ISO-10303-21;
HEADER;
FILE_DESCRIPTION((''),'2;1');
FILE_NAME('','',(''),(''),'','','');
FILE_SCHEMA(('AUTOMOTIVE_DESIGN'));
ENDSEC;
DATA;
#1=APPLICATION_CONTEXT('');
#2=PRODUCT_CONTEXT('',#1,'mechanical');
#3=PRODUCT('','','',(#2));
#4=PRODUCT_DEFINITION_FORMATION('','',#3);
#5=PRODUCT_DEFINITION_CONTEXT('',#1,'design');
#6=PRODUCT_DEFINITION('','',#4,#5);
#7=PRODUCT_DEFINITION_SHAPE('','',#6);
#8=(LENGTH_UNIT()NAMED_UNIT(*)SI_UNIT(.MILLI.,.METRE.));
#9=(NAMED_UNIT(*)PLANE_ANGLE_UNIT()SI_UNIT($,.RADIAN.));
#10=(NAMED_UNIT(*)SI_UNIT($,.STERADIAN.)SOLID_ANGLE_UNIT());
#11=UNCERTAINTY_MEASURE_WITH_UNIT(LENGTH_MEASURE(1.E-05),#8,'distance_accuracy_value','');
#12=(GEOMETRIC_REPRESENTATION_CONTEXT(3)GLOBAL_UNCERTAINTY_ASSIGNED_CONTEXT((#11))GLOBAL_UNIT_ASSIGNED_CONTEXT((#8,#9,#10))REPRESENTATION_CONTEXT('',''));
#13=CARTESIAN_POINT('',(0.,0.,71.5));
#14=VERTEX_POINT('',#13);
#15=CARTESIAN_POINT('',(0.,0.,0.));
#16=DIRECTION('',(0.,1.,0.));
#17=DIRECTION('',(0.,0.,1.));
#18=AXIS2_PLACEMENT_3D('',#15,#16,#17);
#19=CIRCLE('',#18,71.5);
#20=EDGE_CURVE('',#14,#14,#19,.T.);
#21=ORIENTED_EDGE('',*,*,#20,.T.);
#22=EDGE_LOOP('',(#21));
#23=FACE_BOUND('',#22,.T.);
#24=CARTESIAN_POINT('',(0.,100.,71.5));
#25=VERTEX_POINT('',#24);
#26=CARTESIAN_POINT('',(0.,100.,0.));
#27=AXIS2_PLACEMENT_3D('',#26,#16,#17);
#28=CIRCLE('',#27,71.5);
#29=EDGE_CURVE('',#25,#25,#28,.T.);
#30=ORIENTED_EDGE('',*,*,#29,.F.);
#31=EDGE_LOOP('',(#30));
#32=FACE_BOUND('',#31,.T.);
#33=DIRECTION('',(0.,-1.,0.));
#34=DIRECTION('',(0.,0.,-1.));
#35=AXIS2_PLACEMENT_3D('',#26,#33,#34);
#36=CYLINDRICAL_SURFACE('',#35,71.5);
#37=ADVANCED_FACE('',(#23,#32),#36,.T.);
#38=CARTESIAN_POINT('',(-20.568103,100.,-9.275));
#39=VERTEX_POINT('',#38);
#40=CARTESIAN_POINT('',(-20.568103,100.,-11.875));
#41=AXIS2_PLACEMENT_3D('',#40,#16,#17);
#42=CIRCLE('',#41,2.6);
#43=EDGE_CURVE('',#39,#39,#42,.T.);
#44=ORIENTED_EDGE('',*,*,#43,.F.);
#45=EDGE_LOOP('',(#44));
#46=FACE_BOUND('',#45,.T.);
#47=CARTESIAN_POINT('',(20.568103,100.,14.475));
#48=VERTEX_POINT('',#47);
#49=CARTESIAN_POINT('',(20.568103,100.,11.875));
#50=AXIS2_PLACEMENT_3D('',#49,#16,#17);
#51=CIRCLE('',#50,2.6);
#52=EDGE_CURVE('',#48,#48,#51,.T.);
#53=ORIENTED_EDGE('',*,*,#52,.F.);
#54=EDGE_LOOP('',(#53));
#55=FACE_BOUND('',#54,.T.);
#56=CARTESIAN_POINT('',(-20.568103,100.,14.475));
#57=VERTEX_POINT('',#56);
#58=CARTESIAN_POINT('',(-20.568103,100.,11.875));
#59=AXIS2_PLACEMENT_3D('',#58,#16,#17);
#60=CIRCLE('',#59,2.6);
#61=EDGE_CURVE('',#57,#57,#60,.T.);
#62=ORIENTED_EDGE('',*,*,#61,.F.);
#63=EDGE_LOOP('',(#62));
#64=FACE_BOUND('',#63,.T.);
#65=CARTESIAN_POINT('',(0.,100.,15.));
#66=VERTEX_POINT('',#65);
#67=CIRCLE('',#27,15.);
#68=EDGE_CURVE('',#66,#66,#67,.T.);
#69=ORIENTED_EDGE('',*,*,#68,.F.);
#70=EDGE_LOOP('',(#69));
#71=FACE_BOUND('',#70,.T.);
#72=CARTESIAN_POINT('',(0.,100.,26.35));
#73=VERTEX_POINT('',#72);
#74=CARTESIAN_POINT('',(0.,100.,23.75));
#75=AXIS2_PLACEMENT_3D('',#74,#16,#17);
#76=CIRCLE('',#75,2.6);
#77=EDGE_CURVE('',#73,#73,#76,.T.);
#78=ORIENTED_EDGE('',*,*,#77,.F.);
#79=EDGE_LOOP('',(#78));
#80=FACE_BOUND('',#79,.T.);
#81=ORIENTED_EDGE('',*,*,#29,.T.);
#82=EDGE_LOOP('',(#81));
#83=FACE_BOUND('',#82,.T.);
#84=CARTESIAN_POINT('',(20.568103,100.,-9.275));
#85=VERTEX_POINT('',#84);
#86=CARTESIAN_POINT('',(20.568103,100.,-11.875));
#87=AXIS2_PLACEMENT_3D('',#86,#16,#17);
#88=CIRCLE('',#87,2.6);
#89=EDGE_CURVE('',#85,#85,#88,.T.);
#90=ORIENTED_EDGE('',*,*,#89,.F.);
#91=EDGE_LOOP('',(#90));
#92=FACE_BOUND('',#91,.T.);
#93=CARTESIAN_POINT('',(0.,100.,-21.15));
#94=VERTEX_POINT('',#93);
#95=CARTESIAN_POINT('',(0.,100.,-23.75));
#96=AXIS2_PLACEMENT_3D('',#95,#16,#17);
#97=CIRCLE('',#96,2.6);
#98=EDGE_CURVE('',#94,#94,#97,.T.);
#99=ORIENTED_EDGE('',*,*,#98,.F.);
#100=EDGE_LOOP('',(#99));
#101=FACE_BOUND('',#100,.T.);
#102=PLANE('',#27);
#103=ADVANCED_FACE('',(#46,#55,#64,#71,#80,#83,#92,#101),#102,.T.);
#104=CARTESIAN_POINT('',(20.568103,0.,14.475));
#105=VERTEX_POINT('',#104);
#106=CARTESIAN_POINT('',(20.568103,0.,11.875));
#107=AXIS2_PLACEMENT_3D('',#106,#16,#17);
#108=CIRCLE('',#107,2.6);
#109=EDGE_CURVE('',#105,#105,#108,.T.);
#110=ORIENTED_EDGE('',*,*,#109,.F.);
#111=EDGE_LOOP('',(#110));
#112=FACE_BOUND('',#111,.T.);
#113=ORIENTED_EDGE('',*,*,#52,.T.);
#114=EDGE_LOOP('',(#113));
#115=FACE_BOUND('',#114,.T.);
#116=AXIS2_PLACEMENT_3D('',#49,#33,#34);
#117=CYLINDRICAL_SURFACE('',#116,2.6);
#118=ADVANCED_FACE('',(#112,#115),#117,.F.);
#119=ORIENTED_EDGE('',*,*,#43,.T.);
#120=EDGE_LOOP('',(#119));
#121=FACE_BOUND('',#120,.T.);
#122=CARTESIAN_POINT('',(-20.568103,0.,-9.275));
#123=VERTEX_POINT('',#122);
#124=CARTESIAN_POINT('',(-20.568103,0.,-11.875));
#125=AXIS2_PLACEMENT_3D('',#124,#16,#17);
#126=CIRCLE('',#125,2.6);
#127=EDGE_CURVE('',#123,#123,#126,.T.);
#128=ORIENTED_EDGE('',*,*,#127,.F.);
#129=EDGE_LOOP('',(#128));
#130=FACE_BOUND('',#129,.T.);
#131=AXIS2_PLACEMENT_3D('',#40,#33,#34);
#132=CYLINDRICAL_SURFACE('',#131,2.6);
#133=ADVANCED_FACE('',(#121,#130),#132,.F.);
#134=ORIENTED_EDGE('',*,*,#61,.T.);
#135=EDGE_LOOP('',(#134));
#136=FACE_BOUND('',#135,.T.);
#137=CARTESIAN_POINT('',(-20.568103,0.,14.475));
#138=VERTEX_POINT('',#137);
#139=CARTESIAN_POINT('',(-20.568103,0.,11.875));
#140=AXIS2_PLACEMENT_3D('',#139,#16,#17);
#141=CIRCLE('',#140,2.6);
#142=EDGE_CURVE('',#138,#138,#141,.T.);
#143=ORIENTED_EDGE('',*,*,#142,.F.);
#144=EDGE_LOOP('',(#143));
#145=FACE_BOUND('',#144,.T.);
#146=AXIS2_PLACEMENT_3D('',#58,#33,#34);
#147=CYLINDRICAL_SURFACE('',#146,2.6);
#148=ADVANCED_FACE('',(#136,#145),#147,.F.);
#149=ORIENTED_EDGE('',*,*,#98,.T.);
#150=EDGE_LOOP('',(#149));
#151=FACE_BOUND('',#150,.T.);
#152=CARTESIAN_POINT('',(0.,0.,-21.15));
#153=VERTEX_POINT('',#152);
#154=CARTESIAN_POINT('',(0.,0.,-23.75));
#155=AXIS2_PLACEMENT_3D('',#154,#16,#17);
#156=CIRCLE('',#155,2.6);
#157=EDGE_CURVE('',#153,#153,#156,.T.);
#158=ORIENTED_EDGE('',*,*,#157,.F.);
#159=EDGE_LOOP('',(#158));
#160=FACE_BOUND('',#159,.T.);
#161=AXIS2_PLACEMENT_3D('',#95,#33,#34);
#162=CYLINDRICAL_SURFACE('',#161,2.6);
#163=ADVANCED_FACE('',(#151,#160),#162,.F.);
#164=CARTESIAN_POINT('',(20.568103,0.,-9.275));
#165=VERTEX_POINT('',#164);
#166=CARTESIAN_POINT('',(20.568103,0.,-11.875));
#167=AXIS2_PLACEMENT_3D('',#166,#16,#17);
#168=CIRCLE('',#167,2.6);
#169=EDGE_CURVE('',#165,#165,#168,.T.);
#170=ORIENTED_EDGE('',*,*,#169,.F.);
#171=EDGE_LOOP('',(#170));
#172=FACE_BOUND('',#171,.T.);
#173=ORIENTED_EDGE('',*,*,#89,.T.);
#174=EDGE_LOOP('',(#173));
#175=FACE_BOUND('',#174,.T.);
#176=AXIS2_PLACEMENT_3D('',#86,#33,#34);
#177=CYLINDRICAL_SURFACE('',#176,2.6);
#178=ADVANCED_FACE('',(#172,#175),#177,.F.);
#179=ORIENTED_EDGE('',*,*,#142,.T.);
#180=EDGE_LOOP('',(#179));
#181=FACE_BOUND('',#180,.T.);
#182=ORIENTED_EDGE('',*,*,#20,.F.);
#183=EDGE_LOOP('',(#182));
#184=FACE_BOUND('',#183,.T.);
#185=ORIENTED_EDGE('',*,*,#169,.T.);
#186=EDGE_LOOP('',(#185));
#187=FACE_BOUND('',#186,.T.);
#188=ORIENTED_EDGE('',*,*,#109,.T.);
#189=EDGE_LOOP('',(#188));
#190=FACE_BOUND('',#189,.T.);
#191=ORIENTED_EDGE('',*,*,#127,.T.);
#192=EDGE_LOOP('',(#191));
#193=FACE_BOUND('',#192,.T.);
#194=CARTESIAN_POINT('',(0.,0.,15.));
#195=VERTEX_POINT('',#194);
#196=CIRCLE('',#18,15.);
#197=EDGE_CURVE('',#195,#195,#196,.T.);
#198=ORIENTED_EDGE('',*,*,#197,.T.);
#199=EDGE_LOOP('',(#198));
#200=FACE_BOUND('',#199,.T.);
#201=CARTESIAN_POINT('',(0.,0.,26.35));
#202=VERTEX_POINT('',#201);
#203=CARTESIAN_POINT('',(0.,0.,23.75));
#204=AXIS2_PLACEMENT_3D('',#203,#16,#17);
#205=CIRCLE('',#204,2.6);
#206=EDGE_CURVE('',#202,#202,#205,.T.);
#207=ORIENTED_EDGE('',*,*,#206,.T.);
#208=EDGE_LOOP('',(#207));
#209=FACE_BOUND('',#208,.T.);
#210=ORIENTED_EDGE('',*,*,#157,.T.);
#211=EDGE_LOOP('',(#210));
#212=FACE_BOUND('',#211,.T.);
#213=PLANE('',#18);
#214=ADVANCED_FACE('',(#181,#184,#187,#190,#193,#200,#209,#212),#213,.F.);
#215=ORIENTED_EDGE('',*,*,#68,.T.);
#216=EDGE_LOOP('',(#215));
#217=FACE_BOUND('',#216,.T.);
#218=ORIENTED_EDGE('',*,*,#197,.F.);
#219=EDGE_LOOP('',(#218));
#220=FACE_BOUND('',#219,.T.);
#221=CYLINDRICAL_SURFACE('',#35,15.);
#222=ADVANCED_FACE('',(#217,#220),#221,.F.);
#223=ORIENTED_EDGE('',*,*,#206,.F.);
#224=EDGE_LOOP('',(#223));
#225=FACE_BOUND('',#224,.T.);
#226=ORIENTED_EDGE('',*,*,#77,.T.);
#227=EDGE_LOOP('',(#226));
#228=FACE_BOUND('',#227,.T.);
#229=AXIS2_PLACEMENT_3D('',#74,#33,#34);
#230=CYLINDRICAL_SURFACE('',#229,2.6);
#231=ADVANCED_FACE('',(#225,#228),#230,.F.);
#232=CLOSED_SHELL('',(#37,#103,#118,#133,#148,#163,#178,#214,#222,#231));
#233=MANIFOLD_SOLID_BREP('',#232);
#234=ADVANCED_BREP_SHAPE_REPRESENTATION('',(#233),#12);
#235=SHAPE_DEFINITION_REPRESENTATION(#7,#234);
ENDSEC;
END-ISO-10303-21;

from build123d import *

# Parameters (mm, degrees)
SKETCH1_R           = 71.5
SKETCH1_R_2         = 15
SKETCH1_R_3         = 2.6
BOSS_EXTRUDE1_DEPTH = 100


with BuildPart() as part:
    # Sketch1 → Boss-Extrude1 (new body)
    with BuildSketch(Plane(origin=(0, 0, 0), x_dir=(1, 0, 0), z_dir=(0, 1, 0))):
        Circle(SKETCH1_R)
        Circle(SKETCH1_R_2, mode=Mode.SUBTRACT)
        with Locations((0, 23.75)):
            Circle(SKETCH1_R_3, mode=Mode.SUBTRACT)
        with Locations((20.56810334, 11.875)):
            Circle(SKETCH1_R_3, mode=Mode.SUBTRACT)
        with Locations((20.56810334, -11.875)):
            Circle(SKETCH1_R_3, mode=Mode.SUBTRACT)
        with Locations((0, -23.75)):
            Circle(SKETCH1_R_3, mode=Mode.SUBTRACT)
        with Locations((-20.56810334, -11.875)):
            Circle(SKETCH1_R_3, mode=Mode.SUBTRACT)
        with Locations((-20.56810334, 11.875)):
            Circle(SKETCH1_R_3, mode=Mode.SUBTRACT)
    extrude(amount=BOSS_EXTRUDE1_DEPTH)


solid = part.part
